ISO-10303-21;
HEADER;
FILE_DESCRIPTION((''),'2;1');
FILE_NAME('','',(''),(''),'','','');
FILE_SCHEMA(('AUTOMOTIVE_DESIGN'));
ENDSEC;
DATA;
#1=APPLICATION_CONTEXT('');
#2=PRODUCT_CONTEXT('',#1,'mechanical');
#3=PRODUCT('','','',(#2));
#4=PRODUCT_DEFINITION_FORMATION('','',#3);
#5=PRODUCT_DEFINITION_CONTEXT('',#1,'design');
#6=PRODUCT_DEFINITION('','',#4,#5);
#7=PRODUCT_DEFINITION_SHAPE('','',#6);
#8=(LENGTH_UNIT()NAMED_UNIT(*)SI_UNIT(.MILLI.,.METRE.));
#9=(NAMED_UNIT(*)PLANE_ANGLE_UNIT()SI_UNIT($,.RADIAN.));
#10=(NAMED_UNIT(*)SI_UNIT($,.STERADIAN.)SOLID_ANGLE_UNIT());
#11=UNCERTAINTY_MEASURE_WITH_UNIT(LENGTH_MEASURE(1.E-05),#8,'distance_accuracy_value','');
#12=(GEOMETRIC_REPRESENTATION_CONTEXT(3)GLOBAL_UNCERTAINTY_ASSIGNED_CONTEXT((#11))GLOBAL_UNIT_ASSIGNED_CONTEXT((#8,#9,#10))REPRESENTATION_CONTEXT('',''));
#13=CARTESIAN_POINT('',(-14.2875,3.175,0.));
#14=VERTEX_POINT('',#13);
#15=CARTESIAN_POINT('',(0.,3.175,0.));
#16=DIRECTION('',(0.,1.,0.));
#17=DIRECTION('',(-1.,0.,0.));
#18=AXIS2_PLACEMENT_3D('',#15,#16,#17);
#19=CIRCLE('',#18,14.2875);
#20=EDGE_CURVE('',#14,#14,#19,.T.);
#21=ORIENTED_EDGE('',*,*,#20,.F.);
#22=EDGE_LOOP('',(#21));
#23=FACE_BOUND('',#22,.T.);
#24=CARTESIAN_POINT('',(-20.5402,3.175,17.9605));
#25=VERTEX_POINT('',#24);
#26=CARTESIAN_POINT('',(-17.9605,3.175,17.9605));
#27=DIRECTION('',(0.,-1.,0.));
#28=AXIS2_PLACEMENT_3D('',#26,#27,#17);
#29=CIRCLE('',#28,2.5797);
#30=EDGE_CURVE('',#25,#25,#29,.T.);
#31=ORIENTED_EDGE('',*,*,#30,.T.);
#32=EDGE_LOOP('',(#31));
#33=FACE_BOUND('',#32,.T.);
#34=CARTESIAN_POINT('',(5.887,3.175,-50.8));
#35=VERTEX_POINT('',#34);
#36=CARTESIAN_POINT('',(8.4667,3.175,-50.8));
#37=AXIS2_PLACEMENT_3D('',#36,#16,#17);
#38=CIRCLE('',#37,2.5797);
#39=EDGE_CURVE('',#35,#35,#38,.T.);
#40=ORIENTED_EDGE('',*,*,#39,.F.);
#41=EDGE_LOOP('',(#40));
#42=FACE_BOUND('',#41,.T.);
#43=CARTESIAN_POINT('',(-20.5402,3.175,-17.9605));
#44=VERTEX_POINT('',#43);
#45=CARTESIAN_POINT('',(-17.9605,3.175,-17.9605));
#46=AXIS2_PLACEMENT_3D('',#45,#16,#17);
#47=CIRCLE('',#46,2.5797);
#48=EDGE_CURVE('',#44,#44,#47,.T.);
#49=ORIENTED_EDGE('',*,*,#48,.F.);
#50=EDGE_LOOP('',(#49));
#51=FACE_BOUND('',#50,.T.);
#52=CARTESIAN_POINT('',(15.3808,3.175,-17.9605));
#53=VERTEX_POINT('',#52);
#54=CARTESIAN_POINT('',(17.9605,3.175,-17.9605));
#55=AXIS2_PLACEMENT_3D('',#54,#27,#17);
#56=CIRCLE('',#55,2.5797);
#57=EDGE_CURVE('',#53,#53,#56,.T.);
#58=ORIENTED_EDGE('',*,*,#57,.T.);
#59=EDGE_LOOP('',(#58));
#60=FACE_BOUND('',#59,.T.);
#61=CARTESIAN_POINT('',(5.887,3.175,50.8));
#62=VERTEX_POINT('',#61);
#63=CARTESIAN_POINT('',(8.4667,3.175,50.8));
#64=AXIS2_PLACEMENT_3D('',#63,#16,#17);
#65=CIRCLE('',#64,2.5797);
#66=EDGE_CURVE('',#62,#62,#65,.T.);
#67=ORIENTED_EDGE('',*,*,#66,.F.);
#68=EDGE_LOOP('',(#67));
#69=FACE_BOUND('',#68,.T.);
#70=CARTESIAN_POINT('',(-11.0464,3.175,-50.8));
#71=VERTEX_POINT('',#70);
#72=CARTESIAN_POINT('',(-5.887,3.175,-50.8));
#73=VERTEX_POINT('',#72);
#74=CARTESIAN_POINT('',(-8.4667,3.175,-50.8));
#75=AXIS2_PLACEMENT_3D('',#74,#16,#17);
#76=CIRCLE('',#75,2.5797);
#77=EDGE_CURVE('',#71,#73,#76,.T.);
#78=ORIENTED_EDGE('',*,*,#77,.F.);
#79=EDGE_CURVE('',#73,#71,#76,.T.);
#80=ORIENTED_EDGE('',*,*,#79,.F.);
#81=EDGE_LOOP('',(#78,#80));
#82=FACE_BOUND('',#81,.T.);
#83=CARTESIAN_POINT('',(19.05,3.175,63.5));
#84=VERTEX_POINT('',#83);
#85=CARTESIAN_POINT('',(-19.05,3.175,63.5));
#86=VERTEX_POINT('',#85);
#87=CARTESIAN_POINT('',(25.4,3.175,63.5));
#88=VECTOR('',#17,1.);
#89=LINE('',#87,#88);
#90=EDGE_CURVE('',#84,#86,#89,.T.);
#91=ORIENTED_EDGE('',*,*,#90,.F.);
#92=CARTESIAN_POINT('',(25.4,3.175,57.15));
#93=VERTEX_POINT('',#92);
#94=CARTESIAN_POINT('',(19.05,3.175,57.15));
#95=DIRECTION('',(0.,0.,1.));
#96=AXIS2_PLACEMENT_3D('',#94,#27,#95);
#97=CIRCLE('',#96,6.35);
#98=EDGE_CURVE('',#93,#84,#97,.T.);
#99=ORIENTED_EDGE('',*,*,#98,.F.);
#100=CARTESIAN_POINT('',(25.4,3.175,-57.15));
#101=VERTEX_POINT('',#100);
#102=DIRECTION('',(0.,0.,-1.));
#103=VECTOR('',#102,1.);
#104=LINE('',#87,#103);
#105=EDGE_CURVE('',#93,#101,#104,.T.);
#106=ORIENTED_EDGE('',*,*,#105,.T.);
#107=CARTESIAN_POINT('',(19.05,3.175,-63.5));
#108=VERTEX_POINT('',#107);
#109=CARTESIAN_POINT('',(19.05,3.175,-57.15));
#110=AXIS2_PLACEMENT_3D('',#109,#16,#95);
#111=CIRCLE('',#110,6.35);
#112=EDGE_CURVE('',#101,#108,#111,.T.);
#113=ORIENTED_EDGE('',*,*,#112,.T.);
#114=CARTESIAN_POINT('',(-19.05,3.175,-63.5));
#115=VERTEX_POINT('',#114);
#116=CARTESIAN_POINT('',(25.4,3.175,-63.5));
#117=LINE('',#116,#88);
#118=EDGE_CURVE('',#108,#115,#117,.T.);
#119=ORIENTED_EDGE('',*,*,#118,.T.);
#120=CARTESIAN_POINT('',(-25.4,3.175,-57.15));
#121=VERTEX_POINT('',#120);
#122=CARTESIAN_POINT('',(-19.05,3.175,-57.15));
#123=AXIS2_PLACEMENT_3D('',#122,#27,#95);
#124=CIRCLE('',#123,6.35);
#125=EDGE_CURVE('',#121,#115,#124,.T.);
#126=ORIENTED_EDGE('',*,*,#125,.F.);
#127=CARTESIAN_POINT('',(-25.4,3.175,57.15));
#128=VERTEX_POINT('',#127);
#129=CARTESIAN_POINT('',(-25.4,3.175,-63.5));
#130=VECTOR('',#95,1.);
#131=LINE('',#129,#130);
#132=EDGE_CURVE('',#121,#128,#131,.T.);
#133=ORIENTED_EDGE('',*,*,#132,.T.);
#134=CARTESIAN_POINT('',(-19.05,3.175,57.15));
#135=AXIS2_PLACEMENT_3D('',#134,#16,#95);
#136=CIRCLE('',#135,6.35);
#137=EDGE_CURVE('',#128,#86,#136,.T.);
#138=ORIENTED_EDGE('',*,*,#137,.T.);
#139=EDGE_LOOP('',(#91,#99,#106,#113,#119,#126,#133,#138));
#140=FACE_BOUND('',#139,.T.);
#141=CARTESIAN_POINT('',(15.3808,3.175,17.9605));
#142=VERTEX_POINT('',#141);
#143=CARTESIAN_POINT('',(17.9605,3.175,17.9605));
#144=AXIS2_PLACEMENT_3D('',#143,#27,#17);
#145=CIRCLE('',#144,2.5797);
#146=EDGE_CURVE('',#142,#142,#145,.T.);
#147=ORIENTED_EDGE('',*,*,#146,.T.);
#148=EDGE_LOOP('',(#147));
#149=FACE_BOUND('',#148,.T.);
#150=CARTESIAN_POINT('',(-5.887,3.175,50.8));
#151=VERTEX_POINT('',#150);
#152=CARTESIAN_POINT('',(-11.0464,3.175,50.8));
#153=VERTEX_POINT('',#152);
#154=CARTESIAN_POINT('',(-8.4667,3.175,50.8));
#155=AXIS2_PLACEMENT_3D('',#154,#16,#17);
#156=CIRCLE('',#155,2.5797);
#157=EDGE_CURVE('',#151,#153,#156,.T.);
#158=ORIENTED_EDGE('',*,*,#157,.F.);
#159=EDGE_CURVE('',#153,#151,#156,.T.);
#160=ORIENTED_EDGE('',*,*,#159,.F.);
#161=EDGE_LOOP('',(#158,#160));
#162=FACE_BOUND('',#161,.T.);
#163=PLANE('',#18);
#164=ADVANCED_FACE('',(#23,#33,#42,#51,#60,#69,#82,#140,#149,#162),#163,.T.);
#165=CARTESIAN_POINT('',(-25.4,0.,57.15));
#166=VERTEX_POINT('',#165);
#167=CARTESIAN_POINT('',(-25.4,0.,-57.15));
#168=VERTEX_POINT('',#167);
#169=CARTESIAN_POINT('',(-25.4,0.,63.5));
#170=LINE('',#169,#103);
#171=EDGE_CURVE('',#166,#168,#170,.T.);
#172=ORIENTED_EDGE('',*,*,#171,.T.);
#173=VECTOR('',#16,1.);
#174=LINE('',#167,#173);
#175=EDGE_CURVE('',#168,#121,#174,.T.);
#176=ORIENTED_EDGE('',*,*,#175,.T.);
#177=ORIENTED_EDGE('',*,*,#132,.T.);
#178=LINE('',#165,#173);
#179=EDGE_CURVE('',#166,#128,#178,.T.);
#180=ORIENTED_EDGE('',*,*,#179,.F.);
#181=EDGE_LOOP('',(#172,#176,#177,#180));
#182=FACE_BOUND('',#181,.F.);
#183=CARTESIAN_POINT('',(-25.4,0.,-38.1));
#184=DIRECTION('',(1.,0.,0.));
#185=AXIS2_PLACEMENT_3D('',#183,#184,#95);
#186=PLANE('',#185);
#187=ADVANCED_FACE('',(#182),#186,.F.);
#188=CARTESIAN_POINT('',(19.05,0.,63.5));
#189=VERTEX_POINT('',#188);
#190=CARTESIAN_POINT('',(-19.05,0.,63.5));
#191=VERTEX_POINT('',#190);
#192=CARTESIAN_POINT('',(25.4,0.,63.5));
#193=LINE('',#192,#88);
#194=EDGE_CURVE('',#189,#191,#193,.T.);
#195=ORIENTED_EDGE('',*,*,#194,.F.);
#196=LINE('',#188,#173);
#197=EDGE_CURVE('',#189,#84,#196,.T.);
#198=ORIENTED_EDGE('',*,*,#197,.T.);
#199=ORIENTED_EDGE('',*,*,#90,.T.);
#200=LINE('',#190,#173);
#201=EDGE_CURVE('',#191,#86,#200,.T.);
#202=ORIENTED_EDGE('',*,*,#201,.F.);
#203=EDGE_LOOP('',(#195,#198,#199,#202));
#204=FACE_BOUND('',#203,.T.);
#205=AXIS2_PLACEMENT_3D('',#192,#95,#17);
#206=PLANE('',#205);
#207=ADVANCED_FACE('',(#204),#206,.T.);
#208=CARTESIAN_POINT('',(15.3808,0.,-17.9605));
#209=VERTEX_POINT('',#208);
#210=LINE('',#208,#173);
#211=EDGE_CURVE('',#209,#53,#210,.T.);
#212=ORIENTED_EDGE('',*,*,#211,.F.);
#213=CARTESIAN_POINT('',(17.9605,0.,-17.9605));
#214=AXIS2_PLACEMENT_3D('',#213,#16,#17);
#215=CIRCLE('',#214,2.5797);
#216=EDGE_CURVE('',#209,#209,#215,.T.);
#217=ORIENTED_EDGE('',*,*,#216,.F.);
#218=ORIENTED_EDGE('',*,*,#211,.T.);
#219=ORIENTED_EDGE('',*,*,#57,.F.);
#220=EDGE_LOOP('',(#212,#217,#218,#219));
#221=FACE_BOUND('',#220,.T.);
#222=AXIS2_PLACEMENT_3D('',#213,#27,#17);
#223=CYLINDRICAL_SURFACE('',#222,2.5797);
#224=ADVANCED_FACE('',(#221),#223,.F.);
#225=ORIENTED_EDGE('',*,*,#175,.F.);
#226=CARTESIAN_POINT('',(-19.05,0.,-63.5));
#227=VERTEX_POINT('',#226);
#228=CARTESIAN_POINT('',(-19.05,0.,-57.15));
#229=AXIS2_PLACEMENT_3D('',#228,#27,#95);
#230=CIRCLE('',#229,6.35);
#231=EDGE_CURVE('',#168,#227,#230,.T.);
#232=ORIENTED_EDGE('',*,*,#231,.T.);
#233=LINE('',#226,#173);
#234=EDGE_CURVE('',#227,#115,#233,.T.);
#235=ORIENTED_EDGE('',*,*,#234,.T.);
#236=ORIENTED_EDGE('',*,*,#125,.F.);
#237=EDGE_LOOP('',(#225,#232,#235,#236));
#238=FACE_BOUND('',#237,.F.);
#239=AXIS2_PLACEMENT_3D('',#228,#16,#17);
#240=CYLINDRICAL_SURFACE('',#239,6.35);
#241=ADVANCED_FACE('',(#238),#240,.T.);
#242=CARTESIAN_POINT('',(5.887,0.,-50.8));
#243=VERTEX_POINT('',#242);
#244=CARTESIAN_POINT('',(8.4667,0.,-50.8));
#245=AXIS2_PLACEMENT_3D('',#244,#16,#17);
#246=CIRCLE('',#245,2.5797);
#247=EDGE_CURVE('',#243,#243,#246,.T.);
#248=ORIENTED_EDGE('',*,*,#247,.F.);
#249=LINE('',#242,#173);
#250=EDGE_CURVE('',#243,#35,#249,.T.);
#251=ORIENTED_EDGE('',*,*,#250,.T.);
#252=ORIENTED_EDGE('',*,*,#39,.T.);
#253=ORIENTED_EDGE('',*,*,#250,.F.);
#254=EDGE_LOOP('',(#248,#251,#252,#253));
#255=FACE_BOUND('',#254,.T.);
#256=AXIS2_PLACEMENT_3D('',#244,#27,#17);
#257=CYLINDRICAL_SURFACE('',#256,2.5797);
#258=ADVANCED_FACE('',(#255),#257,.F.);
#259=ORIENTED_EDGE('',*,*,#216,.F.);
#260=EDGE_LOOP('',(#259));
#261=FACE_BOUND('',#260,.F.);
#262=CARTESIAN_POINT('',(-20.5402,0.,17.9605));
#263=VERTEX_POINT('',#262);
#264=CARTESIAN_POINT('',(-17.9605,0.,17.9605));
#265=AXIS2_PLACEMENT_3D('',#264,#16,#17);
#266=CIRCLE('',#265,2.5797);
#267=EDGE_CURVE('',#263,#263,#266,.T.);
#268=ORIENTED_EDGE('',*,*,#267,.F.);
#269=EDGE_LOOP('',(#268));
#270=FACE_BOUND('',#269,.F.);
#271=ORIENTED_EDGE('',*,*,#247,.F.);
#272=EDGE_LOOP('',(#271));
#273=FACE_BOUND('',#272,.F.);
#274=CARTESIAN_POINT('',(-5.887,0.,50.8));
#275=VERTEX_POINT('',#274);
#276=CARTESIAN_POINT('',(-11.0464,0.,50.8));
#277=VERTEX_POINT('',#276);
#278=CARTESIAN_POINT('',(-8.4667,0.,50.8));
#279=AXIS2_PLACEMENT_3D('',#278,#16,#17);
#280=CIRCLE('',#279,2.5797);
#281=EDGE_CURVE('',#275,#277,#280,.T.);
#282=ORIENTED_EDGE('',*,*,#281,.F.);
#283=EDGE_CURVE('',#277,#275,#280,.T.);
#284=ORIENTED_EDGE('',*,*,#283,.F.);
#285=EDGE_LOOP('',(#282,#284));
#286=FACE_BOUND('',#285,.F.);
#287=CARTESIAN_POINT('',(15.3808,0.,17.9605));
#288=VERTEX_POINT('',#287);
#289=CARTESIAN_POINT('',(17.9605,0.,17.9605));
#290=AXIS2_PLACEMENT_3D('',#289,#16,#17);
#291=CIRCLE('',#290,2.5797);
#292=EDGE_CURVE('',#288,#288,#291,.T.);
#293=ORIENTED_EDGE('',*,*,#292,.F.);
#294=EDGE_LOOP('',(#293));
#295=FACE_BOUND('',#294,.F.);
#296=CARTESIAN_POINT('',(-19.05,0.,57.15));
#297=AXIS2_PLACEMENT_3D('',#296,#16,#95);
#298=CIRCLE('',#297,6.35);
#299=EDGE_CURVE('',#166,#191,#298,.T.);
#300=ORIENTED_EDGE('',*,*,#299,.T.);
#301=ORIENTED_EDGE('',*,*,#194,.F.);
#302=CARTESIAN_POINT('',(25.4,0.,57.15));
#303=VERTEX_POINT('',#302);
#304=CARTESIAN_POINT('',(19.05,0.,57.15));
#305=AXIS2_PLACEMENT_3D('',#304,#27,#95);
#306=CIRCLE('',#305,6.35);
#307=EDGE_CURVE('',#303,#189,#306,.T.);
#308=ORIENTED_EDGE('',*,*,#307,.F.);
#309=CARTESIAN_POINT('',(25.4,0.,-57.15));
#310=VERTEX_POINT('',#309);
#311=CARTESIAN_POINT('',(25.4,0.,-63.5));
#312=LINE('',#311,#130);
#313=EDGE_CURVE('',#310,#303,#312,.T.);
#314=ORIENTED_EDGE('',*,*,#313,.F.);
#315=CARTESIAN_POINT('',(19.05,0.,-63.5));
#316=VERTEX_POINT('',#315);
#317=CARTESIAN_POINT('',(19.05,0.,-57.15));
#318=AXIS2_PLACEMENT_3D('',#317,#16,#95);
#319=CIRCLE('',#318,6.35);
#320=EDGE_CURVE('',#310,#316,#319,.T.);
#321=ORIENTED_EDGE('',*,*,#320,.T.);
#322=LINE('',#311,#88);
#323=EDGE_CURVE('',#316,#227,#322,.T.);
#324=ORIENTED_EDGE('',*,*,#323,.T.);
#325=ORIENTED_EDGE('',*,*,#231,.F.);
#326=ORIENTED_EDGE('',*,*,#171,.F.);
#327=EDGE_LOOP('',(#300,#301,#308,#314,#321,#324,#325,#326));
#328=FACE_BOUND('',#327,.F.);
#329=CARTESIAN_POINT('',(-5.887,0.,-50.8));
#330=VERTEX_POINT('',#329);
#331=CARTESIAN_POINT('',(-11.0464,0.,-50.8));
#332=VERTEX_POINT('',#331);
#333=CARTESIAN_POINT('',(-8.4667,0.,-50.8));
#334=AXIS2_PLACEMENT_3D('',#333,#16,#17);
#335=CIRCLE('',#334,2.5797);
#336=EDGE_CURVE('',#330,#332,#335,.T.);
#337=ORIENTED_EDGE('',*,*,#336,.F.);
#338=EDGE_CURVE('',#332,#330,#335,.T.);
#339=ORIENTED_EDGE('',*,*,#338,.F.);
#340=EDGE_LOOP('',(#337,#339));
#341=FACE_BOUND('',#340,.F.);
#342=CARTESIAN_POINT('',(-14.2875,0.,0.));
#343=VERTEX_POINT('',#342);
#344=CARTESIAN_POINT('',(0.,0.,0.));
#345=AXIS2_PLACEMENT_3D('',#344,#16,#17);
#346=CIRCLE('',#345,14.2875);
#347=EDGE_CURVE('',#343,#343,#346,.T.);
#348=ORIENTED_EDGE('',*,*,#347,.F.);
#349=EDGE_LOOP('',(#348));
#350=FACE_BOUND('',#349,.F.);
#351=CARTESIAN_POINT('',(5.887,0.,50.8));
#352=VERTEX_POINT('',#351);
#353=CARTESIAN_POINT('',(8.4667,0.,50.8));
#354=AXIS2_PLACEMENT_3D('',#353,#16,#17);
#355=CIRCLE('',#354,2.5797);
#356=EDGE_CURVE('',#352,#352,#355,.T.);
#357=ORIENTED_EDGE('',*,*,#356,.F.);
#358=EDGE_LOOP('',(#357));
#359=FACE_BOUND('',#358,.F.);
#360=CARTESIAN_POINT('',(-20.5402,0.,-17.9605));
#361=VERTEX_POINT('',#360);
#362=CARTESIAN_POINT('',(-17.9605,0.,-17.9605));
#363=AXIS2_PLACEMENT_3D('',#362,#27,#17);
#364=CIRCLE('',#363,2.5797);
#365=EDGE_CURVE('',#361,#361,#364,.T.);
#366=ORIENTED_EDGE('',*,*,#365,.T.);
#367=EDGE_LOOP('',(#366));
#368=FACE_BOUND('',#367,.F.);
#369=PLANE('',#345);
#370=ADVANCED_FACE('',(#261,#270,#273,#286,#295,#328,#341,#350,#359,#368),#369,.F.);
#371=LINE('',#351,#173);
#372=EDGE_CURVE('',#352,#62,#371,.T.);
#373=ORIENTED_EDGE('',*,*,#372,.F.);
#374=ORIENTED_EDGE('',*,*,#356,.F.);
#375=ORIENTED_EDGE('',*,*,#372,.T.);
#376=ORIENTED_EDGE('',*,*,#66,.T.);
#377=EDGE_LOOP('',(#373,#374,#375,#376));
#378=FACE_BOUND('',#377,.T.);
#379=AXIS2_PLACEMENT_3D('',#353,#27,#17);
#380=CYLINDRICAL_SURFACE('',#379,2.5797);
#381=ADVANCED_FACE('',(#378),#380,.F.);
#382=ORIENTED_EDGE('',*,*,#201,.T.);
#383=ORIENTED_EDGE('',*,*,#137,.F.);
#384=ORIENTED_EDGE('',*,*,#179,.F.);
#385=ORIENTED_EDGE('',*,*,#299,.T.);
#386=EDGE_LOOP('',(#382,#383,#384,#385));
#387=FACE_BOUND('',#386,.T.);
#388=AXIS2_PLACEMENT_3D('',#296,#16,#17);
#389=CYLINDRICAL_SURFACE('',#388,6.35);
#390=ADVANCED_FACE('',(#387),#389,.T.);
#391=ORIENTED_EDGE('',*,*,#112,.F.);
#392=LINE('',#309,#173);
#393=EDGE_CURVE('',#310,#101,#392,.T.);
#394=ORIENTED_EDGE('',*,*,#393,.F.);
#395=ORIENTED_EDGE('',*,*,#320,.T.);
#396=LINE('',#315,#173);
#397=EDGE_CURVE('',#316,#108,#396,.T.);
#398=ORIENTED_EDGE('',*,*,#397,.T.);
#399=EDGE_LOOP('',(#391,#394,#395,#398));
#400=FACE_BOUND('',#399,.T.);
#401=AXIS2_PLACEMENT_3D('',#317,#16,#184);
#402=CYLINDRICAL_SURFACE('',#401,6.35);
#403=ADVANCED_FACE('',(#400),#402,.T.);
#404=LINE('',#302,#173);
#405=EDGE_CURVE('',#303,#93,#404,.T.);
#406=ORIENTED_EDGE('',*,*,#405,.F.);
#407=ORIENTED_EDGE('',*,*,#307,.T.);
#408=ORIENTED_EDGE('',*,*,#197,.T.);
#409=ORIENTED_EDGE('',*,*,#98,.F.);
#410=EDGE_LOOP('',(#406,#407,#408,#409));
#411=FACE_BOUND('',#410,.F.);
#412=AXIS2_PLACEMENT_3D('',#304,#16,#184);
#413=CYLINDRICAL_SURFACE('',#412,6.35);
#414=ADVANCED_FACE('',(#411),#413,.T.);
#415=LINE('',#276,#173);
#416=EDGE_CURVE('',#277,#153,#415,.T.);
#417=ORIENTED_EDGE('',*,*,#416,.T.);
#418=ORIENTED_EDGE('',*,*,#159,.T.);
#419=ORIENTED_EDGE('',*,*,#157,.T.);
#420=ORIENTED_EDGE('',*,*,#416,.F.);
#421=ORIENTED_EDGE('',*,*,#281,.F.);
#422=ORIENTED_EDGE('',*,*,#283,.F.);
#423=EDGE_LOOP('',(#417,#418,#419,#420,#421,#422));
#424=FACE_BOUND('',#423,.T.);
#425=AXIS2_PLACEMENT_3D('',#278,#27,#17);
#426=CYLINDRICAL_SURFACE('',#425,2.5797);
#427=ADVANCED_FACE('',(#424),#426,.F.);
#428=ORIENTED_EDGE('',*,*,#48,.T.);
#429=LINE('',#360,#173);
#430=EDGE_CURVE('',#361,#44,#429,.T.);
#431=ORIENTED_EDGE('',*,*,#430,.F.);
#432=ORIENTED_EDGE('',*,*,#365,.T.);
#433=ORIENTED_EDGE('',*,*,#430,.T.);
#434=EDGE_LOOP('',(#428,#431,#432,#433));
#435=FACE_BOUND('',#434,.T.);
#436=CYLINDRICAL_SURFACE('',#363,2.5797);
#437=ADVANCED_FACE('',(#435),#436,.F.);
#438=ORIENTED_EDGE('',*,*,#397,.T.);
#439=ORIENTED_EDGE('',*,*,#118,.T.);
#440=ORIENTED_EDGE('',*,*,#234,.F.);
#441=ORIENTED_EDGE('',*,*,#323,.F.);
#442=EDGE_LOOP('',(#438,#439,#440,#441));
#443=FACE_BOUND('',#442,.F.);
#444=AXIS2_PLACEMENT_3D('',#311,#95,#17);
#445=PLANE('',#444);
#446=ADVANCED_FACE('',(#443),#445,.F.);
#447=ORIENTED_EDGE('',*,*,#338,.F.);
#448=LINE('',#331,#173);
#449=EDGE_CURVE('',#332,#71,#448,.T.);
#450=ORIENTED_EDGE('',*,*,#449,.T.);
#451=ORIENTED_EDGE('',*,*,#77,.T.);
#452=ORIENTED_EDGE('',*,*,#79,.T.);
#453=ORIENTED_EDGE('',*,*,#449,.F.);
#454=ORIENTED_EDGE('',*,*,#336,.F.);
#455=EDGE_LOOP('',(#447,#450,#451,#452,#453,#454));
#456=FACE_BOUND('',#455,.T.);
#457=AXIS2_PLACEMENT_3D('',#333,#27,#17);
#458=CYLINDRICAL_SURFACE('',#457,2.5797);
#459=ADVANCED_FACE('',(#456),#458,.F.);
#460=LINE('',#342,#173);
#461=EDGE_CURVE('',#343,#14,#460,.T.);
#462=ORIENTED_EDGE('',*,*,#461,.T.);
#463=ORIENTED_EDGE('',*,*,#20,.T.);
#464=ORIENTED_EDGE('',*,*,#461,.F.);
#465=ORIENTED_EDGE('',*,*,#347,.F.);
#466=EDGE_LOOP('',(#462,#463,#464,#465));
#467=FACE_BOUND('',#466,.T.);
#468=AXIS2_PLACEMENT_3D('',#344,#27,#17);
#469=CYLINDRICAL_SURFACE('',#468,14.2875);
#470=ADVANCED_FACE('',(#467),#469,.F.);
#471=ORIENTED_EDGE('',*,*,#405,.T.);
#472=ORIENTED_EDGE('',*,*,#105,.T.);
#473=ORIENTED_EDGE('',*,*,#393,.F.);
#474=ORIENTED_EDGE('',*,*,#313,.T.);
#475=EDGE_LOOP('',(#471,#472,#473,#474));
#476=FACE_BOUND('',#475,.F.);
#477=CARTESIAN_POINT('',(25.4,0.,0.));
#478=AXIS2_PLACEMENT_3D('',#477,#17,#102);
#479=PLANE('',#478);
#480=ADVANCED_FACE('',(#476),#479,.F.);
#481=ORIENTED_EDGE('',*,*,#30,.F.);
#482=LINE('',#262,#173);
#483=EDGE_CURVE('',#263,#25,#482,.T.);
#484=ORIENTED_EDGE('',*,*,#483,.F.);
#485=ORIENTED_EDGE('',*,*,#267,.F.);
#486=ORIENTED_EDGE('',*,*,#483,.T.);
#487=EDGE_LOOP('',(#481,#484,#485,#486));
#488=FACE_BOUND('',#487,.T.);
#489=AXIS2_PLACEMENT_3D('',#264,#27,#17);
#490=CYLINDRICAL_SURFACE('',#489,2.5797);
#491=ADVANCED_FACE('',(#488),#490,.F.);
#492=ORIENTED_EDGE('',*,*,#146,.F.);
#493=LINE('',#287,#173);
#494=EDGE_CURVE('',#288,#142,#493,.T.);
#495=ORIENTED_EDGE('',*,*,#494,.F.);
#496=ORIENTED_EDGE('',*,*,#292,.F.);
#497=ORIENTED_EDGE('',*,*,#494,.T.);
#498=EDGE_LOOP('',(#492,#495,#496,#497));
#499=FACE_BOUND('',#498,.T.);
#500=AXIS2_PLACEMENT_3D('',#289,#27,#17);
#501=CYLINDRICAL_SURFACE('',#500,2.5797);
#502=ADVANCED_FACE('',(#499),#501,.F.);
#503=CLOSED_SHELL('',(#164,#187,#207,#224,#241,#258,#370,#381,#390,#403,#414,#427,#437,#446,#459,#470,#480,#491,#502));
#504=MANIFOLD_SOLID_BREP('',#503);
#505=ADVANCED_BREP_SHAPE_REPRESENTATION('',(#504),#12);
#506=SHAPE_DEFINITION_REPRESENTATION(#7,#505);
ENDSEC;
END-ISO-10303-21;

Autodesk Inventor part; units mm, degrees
ref_plane "YZ Plane" through (0, 0, 0) normal (1, 0, 0) x (0, 1, 0)
ref_plane "XZ Plane" through (0, 0, 0) normal (0, 1, 0) x (-1, 0, 0)
ref_plane "XY Plane" through (0, 0, 0) normal (0, 0, 1) x (1, 0, 0)
sketch "Sketch1" plane through (0, 0, 0) normal (0, 1, 0) x (-1, 0, 0)
  circle A0 centre (0, 0) radius 25.4
  line L0 (17.9605, 17.9605) -> (-17.9605, 17.9605)
  line L1 (-17.9605, 17.9605) -> (-17.9605, -17.9605)
  line L2 (-17.9605, -17.9605) -> (17.9605, -17.9605)
  line L3 (17.9605, -17.9605) -> (17.9605, 17.9605)
  circle A1 centre (17.9605, 17.9605) radius 2.5797
  circle A2 centre (17.9605, -17.9605) radius 2.5797
  circle A3 centre (-17.9605, -17.9605) radius 2.5797
  circle A4 centre (-17.9605, 17.9605) radius 2.5797
  line L4 (-25.4, -38.1) -> (25.4, -38.1)
  line L5 (25.4, -38.1) -> (25.4, 38.1)
  line L6 (25.4, 38.1) -> (-25.4, 38.1)
  line L7 (-25.4, 38.1) -> (-25.4, -38.1)
  line L8 (25.4, 38.1) -> (-25.4, 38.1)
  line L9 (-25.4, 38.1) -> (-25.4, 63.5)
  line L10 (-25.4, 63.5) -> (25.4, 63.5)
  line L11 (25.4, 63.5) -> (25.4, 38.1)
  line L12 (25.4, -38.1) -> (-25.4, -38.1)
  line L13 (-25.4, -38.1) -> (-25.4, -63.5)
  line L14 (-25.4, -63.5) -> (25.4, -63.5)
  line L15 (25.4, -63.5) -> (25.4, -38.1)
  circle A5 centre (8.4667, -50.8) radius 2.5797
  circle A6 centre (-8.4667, -50.8) radius 2.5797
  circle A7 centre (-8.4667, 50.8) radius 2.5797
  circle A8 centre (8.4667, 50.8) radius 2.5797
  line L16 (-8.4667, 50.8) -> (8.4667, 50.8)
  line L17 (-8.4667, -50.8) -> (8.4667, -50.8)
  circle A9 centre (0, 0) radius 14.2875
  point P0 (0, -50.8)
  point P1 (0, 50.8)
  dimension "d0" = 50.8
  dimension "d1" = 5.1594
  dimension "d2" = 76.2
  dimension "d3" = 50.8
  dimension "d4" = 25.4
  dimension "d5" = 38.1
  dimension "d6" = 12.7
  dimension "d7" = 12.7
  dimension "d9" = 0
  dimension "d10" = 25.4
  dimension "d11" = 16.9333
  dimension "d15" = 28.575
  dimension "d17" = 0
extrude "Extrusion1" add sketch "Sketch1" along normal blind 3.175 contours A0 A2 L3 A1 | L5 L4 L7 A0 A3 A2 | A0 A1 A4 L7 L6 L5 | L15 L14 L13 L4 | L6 L9 L10 L11 | L3 A2 L2 A3 L1 A4 L0 A1 | A1 L0 A4 A0 | A0 A3 L2 A2 | A0 A4 L1 A3
fillet "Fillet1" radius 6.35 4 edges at (-25.4, 1.5875, 63.5) (25.4, 1.5875, 63.5) (25.4, 1.5875, -63.5) (-25.4, 1.5875, -63.5)
equation "\"d4\" = 0.5 * d3"
equation "\"d5\" = 0.5 * d2"
equation "\"d6\" = 0.5 * d10"
equation "\"d7\" = d6"
equation "\"d11\" = 0.333333 * d3"
properties part number "Shooter Sliding Motor Mount Plate V1.1"
